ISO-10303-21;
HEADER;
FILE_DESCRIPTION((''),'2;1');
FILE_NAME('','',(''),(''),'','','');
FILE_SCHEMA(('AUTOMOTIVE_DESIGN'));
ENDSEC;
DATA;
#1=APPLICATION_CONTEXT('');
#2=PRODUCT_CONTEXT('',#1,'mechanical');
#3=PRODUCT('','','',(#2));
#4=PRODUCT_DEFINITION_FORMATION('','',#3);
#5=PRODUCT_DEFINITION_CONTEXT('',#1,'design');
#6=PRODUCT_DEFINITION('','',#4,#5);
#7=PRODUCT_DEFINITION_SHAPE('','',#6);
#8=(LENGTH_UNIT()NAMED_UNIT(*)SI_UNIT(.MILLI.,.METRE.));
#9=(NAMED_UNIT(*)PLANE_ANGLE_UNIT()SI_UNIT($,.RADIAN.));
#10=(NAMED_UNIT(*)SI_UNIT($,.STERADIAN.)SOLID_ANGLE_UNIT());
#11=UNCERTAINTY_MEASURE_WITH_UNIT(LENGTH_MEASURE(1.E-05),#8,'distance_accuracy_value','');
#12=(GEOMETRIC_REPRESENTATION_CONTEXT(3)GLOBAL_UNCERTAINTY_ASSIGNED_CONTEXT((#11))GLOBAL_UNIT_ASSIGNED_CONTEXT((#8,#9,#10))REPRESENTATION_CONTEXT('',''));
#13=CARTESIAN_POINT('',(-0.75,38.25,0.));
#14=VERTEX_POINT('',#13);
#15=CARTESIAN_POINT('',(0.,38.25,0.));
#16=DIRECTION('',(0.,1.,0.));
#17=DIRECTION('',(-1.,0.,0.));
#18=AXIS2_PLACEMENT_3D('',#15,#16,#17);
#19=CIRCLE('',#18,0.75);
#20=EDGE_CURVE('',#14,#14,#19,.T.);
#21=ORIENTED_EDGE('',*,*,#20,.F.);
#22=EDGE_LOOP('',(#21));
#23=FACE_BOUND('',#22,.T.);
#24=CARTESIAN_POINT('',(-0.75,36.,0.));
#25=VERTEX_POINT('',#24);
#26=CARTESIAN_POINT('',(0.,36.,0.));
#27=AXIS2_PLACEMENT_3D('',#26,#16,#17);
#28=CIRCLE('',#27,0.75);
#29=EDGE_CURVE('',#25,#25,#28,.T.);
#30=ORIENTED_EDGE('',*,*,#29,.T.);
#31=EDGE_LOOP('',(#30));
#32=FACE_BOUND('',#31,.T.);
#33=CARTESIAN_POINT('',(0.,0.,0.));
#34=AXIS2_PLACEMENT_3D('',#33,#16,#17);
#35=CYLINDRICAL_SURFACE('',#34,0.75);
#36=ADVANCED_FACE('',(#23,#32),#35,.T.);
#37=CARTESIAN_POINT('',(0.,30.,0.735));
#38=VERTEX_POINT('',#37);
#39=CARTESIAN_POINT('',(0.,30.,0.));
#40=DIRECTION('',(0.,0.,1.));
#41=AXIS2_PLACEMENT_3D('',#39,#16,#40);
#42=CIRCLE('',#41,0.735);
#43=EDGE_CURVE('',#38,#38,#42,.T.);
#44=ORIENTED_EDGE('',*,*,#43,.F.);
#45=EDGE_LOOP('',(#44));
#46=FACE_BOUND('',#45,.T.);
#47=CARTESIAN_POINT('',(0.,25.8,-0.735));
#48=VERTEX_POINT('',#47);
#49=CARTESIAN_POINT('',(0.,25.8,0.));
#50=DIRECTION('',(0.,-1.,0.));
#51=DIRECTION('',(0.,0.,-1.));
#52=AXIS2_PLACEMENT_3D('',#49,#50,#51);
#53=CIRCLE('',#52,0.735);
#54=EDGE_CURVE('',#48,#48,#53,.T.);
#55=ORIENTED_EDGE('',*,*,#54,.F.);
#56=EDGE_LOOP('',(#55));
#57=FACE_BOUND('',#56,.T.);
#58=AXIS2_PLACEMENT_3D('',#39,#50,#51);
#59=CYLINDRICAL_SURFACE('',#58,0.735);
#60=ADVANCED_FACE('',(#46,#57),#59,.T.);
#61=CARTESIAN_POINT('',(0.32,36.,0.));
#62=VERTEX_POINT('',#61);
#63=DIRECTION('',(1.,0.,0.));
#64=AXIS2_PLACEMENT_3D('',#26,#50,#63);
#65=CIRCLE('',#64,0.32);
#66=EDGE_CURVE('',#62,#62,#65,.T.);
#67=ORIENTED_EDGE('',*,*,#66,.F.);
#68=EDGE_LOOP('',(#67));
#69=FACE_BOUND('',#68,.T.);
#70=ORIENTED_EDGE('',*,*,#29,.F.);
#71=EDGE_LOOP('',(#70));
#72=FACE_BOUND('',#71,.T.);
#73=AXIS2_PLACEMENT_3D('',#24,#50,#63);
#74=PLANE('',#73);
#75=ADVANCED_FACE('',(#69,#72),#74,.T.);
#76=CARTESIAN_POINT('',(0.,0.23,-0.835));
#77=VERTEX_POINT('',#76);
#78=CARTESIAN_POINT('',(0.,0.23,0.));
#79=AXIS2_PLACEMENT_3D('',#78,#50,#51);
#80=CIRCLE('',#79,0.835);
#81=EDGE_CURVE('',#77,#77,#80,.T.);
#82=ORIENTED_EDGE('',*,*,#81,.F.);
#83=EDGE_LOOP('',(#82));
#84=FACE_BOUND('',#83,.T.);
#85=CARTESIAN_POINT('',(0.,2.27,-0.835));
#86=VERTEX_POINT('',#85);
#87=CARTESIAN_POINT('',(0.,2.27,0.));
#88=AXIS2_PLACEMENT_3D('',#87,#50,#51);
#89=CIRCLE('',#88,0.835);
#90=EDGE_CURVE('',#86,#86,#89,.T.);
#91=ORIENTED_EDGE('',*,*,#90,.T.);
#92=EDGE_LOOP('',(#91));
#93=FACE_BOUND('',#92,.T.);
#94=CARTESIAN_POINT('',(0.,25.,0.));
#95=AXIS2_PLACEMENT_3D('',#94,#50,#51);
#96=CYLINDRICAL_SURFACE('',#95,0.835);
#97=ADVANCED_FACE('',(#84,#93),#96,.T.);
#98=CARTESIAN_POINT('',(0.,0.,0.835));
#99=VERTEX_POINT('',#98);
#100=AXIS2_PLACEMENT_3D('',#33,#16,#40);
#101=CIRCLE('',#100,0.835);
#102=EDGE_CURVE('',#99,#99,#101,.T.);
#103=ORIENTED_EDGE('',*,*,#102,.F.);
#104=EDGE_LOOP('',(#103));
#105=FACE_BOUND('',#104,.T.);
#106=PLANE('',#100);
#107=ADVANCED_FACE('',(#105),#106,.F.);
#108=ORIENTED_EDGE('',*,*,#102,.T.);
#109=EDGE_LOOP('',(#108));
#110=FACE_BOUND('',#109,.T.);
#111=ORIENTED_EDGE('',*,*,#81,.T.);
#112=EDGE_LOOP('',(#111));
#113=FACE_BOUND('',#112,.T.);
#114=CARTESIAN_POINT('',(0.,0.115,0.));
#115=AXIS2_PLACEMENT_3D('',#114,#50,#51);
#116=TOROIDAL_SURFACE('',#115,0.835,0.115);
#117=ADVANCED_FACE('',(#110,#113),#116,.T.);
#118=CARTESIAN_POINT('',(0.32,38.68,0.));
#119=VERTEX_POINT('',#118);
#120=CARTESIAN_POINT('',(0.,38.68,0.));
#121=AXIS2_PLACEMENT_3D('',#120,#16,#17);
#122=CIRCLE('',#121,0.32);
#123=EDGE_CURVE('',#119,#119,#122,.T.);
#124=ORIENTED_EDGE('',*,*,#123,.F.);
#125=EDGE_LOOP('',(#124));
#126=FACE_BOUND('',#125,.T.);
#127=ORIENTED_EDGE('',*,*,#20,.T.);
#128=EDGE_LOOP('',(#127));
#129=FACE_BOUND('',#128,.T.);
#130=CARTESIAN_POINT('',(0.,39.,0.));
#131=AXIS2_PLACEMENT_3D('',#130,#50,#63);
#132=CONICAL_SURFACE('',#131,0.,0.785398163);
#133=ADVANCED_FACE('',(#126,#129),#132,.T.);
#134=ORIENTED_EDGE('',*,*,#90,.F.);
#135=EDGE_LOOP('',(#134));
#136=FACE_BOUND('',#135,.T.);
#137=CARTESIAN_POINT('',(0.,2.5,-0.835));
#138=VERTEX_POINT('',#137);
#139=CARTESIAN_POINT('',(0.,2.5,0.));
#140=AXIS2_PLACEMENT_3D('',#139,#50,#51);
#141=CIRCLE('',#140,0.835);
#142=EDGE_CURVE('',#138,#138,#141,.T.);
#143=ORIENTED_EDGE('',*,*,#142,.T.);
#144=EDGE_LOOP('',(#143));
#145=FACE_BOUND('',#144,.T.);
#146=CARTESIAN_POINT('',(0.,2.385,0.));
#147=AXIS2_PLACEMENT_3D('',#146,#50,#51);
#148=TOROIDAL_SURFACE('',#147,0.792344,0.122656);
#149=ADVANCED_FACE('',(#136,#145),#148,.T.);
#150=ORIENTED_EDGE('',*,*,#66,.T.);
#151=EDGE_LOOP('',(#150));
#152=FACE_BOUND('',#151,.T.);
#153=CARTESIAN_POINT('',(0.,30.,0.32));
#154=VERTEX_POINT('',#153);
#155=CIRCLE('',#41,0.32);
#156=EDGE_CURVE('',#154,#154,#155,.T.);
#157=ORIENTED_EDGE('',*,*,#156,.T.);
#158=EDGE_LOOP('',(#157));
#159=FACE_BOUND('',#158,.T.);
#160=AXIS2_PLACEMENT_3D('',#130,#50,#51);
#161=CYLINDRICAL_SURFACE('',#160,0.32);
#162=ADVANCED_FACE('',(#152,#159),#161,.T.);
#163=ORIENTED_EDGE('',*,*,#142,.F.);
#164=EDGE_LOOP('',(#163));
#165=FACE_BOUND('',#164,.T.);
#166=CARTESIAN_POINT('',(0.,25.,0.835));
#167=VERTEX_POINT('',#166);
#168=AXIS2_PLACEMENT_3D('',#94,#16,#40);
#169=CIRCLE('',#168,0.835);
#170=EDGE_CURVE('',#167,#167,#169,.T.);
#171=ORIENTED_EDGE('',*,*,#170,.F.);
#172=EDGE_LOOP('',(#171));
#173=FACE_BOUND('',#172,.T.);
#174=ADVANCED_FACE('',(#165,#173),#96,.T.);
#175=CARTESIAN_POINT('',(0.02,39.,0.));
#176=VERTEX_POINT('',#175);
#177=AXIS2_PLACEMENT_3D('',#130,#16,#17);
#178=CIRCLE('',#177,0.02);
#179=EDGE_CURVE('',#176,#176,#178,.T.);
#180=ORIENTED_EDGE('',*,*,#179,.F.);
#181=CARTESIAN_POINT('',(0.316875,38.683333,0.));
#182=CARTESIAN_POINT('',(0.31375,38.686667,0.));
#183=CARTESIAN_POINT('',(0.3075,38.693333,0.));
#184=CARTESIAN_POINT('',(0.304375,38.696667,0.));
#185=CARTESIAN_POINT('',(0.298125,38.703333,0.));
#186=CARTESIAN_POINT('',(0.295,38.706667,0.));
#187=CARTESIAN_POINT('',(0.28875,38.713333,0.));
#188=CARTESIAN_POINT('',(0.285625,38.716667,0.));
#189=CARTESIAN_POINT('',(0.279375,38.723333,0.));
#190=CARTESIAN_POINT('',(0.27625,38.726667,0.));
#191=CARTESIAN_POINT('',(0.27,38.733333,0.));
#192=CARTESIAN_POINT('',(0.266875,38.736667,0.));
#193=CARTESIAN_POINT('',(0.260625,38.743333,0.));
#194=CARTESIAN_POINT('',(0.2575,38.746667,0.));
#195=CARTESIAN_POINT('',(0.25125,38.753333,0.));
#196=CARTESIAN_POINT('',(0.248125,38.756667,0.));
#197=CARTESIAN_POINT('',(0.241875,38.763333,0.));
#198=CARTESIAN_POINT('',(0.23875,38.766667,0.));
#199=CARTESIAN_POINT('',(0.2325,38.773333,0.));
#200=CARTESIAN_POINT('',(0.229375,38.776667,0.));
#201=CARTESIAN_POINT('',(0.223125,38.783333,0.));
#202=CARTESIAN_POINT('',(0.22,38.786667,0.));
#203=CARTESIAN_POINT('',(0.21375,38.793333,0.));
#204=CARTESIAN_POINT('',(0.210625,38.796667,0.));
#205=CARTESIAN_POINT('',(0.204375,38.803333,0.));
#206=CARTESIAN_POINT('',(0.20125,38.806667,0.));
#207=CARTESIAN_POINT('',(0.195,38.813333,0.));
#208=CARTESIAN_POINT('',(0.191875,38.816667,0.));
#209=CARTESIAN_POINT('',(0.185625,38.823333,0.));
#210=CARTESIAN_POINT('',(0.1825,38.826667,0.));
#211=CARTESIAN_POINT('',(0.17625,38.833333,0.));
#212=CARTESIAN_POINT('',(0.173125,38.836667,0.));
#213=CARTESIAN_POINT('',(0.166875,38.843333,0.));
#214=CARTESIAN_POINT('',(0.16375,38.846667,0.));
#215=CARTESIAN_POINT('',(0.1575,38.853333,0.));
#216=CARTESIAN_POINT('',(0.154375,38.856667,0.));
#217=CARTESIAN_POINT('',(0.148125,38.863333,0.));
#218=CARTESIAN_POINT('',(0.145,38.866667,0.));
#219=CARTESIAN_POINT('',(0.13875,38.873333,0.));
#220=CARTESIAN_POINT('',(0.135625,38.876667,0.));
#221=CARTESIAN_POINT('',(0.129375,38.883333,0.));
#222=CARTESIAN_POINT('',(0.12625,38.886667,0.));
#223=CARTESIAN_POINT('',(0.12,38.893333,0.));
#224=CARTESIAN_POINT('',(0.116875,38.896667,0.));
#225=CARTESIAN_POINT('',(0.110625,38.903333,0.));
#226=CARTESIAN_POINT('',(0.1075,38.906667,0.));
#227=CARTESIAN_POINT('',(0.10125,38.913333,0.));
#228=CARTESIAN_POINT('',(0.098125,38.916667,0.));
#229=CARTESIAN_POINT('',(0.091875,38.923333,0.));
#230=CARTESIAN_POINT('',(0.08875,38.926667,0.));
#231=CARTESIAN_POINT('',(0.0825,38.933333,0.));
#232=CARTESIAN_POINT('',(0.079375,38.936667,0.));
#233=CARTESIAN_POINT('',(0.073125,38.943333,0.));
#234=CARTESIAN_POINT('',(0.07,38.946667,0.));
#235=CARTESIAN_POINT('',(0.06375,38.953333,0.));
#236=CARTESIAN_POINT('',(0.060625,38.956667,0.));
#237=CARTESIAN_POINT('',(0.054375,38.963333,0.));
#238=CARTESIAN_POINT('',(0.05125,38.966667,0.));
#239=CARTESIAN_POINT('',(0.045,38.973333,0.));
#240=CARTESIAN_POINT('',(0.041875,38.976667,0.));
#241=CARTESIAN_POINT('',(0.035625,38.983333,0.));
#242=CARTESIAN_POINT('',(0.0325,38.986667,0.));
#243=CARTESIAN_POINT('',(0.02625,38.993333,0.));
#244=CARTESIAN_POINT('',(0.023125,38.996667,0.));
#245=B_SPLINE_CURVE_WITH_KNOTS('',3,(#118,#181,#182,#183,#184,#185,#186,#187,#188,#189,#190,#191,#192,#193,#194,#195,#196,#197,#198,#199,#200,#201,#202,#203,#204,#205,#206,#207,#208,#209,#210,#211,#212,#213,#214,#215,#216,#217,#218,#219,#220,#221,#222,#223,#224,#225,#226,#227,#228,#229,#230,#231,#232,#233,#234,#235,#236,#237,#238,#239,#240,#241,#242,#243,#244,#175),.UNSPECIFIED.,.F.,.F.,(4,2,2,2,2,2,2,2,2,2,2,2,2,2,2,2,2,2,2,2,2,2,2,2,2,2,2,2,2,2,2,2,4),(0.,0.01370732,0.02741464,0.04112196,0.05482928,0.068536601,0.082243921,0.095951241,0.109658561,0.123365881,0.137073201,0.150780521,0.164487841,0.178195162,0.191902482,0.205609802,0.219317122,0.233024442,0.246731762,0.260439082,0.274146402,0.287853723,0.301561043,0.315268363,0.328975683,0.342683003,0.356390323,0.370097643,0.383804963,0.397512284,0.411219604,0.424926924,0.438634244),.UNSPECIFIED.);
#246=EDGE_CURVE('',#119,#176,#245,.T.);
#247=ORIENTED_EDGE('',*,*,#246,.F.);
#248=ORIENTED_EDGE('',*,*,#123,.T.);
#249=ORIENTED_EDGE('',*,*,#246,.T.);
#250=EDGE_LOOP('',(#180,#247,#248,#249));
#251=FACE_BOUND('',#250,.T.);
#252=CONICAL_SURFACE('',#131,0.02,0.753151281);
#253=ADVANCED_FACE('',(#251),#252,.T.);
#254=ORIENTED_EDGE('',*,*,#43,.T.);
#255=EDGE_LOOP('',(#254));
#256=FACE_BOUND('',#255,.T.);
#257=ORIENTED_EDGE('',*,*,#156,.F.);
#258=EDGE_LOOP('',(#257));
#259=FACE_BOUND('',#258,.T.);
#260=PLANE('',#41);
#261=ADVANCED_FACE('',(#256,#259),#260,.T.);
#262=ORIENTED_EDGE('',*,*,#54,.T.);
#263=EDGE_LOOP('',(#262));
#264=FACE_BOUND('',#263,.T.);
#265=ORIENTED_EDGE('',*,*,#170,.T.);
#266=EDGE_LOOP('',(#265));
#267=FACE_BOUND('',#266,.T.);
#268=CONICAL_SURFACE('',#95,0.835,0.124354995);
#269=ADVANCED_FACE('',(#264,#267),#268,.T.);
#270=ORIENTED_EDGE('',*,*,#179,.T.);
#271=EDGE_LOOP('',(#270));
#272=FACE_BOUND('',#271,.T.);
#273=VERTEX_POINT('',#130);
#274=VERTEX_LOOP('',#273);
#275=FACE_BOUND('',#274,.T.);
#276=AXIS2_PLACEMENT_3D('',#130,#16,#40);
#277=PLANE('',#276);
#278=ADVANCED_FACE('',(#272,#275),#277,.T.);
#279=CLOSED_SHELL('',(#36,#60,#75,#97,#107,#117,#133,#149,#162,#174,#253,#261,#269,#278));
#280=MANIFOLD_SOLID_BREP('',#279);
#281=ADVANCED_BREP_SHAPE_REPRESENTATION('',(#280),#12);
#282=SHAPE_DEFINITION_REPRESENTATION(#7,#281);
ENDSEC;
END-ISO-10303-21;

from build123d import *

# Parameters (mm, degrees)
SKETCH_1_R      = 0.835
EXTRUDE_1_DEPTH = 25
SKETCH_2_R      = 0.735
EXTRUDE_2_DEPTH = 5
SKETCH_3_R      = 0.32
EXTRUDE_3_DEPTH = 9


with BuildPart() as part:
    # 草图1 → 凸台-拉伸1 (new body)
    with BuildSketch(Plane(origin=(0, 0, 0), x_dir=(1, 0, 0), z_dir=(0, 1, 0))):
        with Locations(Location((0, 0, 0), (0, 0, 270))):
            Circle(SKETCH_1_R)
    extrude(amount=EXTRUDE_1_DEPTH)

    # 草图2 → 凸台-拉伸2 (add)
    with BuildSketch(Plane(origin=(0, 25, 0), x_dir=(1, 0, 0), z_dir=(0, 1, 0))):
        with Locations(Location((0, 0, 0), (0, 0, 270))):
            Circle(SKETCH_2_R)
    extrude(amount=EXTRUDE_2_DEPTH)

    # 草图3 → 凸台-拉伸3 (add)
    with BuildSketch(Plane(origin=(0, 30, 0), x_dir=(1, 0, 0), z_dir=(0, 1, 0))):
        with Locations(Location((0, 0, 0), (0, 0, 270))):
            Circle(SKETCH_3_R)
    extrude(amount=EXTRUDE_3_DEPTH)

    # 草图5 → 旋转1 (revolve)
    with BuildSketch(Plane.XY, mode=Mode.PRIVATE) as revolve_1_sk:
        Polygon((0.835, 25), (0.735, 25.8), (0.735, 25), align=None)
        with BuildLine():
            Line((0.835, 0.23), (0.835, 0))
            ThreePointArc((0.835, 0), (0.95, 0.115), (0.835, 0.23))
        make_face()
        with BuildLine():
            Line((0.835, 2.5), (0.835, 2.27))
            ThreePointArc((0.835, 2.27), (0.915, 2.385), (0.835, 2.5))
        make_face()
    revolve(revolve_1_sk.sketch.rotate(Axis((0, 0, 0), (0, 1, 0)), 90), axis=Axis((0, 0, 0), (0, 1, 0)))

    # 草图6 → 旋转2 (revolve)
    with BuildSketch(Plane.XY, mode=Mode.PRIVATE) as revolve_2_sk:
        Polygon((0, 39), (-0.75, 38.25), (-0.75, 36), (0, 36), align=None)
    revolve(revolve_2_sk.sketch.rotate(Axis((0, 0, 0), (0, -1, 0)), 90), axis=Axis((0, 0, 0), (0, -1, 0)))

    # 草图7 → 切除-旋转5 (revolve, cut)
    with BuildSketch(Plane.XY, mode=Mode.PRIVATE) as cut_revolve_5_sk:
        Polygon((0.32, 39), (0.02, 39), (0.32, 38.68), align=None)
    revolve(cut_revolve_5_sk.sketch.rotate(Axis((0, 0, 0), (0, -1, 0)), 270), axis=Axis((0, 0, 0), (0, -1, 0)), mode=Mode.SUBTRACT)


solid = part.part
